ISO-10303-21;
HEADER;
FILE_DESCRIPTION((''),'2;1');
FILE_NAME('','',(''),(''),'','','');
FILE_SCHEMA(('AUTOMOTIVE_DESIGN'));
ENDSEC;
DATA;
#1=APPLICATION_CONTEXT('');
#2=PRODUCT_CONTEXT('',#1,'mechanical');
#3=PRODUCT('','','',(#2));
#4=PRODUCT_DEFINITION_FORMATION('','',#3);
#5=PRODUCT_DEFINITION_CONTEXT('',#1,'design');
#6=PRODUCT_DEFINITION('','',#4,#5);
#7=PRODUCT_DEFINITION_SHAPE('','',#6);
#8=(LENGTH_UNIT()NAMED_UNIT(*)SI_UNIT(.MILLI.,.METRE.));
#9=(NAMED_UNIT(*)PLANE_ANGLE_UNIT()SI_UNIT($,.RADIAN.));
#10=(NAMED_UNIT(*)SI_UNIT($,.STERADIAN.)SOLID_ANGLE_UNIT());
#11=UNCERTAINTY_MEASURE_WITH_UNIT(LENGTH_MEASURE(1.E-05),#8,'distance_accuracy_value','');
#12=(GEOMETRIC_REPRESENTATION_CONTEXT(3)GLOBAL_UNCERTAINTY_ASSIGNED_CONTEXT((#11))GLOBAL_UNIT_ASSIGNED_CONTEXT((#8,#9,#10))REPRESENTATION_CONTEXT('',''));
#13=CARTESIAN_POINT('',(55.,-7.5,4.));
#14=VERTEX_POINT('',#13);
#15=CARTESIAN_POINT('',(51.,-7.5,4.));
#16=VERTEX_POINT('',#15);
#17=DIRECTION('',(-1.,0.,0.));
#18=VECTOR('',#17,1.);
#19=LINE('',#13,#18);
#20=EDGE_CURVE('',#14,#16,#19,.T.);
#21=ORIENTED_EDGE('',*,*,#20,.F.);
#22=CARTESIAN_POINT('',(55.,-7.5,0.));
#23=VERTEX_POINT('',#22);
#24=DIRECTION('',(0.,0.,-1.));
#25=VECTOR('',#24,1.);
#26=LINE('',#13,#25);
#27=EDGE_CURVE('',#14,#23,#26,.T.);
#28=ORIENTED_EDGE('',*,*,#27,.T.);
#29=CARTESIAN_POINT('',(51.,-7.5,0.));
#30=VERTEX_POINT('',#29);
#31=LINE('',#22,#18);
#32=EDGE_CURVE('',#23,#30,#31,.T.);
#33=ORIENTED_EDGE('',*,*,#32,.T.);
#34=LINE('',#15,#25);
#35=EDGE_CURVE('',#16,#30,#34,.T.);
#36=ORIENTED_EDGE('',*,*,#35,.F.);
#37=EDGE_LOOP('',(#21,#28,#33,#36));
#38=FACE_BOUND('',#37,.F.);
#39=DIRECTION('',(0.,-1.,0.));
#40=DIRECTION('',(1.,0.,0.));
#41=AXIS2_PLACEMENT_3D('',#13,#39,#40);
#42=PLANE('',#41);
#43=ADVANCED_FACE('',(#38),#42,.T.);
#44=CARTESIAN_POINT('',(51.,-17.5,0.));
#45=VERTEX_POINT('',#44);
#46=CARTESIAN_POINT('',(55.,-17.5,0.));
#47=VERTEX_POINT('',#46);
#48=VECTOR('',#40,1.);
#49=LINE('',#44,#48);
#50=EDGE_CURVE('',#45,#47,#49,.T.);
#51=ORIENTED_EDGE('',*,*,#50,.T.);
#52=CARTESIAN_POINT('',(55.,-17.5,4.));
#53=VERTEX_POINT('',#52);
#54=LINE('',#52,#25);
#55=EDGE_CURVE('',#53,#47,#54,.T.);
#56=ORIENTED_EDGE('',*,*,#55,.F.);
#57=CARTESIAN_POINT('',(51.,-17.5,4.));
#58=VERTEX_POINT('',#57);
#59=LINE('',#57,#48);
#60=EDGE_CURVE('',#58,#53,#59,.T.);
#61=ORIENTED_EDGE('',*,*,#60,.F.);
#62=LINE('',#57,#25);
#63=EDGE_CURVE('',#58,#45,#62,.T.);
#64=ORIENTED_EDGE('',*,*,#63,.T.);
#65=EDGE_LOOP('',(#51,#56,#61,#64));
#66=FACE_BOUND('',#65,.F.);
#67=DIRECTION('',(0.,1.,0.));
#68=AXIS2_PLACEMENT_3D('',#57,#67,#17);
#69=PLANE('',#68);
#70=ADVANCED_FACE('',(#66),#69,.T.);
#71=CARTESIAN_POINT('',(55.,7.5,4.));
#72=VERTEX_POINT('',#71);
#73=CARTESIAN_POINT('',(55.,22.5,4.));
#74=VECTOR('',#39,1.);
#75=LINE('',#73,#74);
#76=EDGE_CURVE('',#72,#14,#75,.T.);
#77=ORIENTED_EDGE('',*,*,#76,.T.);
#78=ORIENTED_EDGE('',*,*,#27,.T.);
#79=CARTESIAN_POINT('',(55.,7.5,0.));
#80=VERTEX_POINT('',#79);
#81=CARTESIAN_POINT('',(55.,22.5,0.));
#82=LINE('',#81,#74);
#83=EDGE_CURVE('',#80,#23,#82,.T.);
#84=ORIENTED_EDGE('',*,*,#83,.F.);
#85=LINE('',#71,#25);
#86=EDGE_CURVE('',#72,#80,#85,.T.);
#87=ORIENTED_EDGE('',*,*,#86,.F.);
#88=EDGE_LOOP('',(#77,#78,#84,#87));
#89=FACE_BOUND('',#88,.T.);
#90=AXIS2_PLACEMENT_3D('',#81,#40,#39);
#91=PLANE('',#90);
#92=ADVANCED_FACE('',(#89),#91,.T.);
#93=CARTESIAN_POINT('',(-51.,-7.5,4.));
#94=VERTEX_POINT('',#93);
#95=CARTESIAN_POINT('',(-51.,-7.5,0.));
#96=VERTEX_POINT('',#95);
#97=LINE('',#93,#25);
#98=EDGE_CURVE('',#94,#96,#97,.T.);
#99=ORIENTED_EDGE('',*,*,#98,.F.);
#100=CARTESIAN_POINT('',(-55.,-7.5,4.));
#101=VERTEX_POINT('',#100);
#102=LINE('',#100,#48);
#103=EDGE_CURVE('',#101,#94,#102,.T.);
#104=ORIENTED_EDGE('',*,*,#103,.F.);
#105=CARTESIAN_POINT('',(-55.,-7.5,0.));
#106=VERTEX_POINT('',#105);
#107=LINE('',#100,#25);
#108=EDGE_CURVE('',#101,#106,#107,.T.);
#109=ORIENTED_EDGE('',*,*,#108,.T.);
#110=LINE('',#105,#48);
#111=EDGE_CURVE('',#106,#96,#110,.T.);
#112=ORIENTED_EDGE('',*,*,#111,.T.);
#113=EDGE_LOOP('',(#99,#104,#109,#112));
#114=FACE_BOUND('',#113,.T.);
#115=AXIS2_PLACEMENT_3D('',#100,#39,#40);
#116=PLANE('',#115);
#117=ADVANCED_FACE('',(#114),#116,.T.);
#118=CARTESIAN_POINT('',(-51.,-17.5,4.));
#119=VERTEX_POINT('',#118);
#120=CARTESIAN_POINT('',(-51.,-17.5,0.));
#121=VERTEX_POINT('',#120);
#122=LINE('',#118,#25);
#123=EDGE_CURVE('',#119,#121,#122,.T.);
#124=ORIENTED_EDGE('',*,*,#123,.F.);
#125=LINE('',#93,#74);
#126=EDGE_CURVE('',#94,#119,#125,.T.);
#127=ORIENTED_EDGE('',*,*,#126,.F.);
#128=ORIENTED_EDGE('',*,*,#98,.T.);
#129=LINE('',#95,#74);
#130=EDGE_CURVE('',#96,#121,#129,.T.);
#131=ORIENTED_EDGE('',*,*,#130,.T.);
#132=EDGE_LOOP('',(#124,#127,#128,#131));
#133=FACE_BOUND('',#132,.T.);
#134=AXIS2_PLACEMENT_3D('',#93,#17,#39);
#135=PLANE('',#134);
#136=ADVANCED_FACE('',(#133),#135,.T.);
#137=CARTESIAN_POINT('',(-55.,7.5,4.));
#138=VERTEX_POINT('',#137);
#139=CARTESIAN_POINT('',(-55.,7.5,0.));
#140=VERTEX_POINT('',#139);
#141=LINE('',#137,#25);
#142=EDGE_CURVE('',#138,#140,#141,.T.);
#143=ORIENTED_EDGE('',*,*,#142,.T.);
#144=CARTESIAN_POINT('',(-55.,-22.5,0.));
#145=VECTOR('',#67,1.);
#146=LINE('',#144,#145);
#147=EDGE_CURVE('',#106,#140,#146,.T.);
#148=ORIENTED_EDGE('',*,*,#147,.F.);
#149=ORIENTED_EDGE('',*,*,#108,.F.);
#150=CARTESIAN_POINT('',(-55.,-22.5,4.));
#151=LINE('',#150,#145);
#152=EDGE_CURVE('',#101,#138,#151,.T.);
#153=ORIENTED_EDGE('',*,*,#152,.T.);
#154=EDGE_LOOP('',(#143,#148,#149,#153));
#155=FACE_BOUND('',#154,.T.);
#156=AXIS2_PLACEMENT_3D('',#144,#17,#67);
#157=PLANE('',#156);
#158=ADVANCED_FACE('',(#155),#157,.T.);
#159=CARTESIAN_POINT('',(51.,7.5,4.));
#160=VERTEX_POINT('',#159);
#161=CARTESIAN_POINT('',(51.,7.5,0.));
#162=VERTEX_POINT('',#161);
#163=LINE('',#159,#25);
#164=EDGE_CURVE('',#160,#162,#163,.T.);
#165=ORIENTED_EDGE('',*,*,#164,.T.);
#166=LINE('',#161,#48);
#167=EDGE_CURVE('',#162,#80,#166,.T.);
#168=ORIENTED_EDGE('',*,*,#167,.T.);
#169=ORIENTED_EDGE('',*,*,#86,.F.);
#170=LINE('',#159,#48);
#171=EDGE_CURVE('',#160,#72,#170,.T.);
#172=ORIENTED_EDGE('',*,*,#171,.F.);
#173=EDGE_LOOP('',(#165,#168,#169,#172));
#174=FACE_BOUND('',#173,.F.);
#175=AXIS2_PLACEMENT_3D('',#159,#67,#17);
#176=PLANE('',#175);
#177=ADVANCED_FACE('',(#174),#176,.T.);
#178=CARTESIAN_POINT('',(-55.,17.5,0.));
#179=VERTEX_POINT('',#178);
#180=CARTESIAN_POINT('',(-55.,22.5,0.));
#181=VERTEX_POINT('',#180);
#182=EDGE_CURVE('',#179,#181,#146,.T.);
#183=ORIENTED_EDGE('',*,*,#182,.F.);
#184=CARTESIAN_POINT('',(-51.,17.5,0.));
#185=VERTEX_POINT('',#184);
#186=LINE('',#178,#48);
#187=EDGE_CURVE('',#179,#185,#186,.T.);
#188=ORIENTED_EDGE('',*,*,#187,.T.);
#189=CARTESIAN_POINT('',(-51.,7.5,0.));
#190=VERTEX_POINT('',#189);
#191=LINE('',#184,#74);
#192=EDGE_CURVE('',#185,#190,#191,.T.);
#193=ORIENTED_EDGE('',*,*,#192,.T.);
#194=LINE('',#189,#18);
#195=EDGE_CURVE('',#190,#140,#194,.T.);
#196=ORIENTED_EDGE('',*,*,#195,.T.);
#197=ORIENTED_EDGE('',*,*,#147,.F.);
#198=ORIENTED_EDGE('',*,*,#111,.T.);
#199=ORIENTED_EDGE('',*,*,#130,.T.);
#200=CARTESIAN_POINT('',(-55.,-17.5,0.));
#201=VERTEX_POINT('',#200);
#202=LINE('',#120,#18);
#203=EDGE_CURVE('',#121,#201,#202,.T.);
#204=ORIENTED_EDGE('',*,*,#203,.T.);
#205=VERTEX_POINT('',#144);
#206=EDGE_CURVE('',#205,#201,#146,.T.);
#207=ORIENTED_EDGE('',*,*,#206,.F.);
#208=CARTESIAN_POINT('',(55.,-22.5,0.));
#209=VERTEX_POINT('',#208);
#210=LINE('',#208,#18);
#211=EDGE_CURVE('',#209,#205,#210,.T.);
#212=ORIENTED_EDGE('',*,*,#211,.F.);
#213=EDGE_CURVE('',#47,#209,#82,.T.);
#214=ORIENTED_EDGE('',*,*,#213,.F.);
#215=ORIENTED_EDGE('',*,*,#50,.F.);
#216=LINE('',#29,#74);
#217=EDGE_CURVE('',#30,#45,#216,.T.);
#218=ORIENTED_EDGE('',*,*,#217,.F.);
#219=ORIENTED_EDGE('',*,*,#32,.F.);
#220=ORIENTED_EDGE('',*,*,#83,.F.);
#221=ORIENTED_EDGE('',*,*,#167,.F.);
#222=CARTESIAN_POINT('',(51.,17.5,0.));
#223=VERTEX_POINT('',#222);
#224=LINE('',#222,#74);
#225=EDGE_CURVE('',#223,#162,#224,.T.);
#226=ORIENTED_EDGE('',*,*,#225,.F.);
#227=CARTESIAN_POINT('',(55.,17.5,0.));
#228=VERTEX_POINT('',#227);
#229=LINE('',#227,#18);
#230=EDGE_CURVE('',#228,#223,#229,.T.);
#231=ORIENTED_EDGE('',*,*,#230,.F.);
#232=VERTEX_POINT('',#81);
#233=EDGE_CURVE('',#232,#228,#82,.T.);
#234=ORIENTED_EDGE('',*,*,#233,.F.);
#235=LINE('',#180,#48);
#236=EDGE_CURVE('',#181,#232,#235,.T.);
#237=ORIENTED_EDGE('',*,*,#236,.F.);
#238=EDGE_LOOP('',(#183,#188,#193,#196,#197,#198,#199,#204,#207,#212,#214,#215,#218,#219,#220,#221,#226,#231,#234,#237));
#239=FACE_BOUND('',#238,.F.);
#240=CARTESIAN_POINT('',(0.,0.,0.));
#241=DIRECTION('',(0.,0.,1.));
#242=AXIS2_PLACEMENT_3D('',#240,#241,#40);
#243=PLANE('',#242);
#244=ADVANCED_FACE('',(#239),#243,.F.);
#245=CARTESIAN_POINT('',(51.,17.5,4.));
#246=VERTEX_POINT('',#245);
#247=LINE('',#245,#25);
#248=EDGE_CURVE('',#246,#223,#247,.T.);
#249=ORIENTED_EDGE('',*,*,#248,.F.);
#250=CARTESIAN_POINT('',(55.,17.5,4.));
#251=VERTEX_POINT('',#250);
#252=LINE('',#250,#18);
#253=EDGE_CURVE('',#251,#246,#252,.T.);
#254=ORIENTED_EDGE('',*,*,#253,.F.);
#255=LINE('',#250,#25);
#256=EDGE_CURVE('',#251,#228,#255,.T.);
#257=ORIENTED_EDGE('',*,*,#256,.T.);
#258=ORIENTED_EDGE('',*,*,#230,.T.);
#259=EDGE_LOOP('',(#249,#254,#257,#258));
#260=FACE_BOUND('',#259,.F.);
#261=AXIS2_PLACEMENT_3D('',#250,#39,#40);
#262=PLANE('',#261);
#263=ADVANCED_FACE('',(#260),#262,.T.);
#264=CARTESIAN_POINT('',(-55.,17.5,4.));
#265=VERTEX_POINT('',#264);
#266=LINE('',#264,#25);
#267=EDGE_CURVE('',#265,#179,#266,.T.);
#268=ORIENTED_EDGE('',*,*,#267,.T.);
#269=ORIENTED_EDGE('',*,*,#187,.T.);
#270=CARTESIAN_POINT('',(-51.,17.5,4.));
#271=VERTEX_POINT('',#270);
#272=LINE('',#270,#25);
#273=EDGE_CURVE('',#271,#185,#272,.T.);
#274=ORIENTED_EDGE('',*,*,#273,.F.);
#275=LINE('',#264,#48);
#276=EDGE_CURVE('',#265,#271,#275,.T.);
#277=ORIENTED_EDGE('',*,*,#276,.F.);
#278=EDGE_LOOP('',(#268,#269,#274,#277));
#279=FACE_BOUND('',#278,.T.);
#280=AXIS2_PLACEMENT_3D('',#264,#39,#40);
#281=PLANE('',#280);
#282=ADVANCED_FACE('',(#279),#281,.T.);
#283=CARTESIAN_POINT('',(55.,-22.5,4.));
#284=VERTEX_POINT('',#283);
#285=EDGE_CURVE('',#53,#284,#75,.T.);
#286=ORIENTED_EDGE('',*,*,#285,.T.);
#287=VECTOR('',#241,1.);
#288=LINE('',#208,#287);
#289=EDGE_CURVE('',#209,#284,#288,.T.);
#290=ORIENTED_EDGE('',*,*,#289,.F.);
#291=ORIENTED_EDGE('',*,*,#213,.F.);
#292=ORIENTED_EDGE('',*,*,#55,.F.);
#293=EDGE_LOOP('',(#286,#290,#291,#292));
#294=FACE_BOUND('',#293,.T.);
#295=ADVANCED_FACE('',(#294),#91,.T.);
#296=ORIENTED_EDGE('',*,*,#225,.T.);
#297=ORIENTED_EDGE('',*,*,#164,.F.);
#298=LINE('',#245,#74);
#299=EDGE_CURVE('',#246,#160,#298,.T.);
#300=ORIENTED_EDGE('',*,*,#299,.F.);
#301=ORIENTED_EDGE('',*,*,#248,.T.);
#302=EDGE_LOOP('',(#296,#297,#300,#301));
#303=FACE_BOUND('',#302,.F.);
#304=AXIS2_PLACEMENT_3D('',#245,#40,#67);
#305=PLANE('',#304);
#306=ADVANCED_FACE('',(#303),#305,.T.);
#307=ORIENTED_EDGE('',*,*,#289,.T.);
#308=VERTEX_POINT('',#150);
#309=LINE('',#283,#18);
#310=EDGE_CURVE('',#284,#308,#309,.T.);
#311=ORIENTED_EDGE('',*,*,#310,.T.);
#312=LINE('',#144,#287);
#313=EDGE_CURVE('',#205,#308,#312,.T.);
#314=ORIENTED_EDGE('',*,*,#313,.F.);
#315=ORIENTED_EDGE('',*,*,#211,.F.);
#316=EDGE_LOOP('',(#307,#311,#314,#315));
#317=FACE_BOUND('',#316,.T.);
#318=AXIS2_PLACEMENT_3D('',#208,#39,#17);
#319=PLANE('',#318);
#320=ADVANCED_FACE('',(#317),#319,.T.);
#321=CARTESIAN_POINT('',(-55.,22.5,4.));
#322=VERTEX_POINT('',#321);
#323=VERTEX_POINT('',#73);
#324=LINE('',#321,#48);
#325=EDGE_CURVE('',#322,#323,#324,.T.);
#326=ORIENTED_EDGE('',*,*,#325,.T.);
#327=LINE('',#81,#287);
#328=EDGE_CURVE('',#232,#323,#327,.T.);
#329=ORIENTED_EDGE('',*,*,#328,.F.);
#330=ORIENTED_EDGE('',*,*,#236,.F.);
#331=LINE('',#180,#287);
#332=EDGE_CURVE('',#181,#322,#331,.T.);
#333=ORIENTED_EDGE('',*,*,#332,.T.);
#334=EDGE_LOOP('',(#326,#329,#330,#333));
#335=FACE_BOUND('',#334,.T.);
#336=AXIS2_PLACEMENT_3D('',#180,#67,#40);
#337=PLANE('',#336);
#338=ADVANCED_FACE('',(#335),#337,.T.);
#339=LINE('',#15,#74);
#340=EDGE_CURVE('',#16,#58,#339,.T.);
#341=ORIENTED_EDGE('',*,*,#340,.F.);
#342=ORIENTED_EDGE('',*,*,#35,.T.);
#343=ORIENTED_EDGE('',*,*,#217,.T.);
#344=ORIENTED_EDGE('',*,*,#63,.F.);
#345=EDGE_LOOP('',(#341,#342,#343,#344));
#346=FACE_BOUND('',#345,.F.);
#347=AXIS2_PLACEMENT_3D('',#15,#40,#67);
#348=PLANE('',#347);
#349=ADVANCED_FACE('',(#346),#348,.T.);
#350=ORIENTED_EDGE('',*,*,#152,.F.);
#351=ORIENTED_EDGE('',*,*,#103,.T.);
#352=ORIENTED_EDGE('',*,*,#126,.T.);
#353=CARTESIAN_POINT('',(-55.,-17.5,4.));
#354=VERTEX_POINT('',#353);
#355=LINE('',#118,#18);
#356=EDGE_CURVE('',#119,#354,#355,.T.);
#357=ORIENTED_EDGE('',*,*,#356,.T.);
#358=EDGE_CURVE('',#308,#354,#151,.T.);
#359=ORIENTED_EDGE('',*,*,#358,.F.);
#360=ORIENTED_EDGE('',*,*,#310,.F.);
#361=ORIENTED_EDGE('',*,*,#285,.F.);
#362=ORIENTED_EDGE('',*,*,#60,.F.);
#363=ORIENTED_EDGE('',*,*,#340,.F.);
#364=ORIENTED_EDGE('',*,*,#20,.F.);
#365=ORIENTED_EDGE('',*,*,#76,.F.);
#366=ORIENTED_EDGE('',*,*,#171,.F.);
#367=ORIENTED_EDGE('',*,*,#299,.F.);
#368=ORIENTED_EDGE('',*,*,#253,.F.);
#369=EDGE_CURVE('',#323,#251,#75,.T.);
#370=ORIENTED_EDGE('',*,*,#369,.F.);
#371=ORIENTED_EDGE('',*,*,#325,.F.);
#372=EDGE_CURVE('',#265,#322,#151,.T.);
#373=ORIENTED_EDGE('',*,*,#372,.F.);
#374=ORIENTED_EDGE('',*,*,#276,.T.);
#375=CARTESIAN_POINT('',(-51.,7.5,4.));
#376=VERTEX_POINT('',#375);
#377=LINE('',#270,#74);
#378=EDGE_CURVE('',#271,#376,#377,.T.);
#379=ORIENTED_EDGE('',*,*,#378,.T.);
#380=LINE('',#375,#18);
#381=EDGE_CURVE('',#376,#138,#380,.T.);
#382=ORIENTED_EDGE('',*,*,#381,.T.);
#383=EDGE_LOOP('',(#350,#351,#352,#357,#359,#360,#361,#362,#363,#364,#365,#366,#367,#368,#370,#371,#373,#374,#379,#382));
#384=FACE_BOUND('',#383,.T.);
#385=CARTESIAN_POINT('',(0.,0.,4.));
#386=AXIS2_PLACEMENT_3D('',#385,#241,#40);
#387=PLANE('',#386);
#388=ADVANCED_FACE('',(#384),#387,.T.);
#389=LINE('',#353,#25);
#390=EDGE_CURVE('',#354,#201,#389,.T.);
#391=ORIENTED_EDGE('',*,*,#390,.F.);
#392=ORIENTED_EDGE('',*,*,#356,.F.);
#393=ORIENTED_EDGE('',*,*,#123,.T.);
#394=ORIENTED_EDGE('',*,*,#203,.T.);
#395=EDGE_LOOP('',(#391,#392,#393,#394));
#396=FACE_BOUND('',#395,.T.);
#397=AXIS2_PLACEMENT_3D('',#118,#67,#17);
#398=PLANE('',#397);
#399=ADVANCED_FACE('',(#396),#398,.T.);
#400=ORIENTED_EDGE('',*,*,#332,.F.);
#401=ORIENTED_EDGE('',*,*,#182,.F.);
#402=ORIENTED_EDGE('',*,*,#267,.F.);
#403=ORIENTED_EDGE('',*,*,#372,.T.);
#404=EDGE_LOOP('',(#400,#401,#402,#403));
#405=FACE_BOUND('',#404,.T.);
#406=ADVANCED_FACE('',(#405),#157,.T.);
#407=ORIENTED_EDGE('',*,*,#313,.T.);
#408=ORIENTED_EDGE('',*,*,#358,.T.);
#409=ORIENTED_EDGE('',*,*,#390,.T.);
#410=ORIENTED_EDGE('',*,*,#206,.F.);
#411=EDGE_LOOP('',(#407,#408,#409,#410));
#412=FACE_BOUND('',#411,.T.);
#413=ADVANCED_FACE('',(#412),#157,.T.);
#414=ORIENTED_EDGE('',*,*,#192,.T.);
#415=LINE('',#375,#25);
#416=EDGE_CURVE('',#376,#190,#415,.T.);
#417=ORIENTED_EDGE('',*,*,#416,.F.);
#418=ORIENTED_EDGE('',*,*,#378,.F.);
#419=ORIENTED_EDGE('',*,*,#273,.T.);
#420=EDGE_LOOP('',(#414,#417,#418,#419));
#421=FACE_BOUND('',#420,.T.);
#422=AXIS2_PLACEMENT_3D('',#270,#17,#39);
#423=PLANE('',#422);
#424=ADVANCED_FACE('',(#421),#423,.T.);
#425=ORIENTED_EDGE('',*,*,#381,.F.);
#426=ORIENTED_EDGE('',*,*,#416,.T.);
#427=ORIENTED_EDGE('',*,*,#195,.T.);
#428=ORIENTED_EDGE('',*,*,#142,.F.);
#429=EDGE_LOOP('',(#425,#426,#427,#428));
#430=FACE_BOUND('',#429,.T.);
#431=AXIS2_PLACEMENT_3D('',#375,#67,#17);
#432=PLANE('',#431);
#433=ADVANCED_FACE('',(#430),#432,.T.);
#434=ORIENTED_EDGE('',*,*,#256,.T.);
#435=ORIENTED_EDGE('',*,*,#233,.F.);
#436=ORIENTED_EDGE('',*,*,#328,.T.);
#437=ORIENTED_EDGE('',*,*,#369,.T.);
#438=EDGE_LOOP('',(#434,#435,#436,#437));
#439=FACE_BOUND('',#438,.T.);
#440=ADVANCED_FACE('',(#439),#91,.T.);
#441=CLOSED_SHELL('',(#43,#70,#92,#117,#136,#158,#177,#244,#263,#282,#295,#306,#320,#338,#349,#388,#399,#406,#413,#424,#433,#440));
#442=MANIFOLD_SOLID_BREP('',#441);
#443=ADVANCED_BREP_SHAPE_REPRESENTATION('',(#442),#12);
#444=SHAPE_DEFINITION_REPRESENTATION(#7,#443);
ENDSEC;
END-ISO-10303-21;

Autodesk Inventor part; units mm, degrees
ref_plane "YZ Plane" through (0, 0, 0) normal (1, 0, 0) x (0, 1, 0)
ref_plane "XZ Plane" through (0, 0, 0) normal (0, 1, 0) x (-1, 0, 0)
sketch "Sketch1" plane through (0, 0, 0) normal (0, 0, 1) x (1, 0, 0)
  line L0 (55, -22.5) -> (-55, -22.5)
  line L1 (-55, -22.5) -> (-55, 22.5)
  line L2 (-55, 22.5) -> (55, 22.5)
  line L3 (55, 22.5) -> (55, -22.5)
  line L4 (55, -22.5) -> (-55, 22.5) construction
  line L5 (-55, -22.5) -> (55, 22.5) construction
  point P0 (0, 0)
  dimension "d0" = 110
  dimension "d1" = 45
extrude "Extrusion1" add sketch "Sketch1" along normal blind 4
sketch "Sketch2" plane through (0, 0, 4) normal (0, 0, 1) x (1, 0, 0)
  line L0 (-55, 22.5) -> (-55, -22.5) projected
  line L1 (-55, 17.5) -> (-51, 17.5)
  line L2 (-51, 17.5) -> (-51, 7.5)
  line L3 (-51, 7.5) -> (-55, 7.5)
  line L4 (-55, 7.5) -> (-55, 17.5)
  line L5 (-55, -7.5) -> (-51, -7.5)
  line L6 (-51, -7.5) -> (-51, -17.5)
  line L7 (-51, -17.5) -> (-55, -17.5)
  line L8 (-55, -17.5) -> (-55, -7.5)
  line L9 (55, 22.5) -> (-55, 22.5) projected
  line L10 (-55, -22.5) -> (55, -22.5) projected
  point P0 (0, 0)
  dimension "d4" = 4
  dimension "d5" = 10
  dimension "d6" = 4
  dimension "d7" = 10
  dimension "d8" = 5
  dimension "d9" = 5
extrude "Extrusion2" cut sketch "Sketch2" against normal blind 4
ref_plane "Work Plane2" through (0, -7.5, 0) normal (-1, 0, 0) x (0, 0, 1)
mirror "Mirror1" about plane through (0, -7.5, 0) normal (-1, 0, 0) of "Extrusion2"
properties part number "FUENTE 1"
